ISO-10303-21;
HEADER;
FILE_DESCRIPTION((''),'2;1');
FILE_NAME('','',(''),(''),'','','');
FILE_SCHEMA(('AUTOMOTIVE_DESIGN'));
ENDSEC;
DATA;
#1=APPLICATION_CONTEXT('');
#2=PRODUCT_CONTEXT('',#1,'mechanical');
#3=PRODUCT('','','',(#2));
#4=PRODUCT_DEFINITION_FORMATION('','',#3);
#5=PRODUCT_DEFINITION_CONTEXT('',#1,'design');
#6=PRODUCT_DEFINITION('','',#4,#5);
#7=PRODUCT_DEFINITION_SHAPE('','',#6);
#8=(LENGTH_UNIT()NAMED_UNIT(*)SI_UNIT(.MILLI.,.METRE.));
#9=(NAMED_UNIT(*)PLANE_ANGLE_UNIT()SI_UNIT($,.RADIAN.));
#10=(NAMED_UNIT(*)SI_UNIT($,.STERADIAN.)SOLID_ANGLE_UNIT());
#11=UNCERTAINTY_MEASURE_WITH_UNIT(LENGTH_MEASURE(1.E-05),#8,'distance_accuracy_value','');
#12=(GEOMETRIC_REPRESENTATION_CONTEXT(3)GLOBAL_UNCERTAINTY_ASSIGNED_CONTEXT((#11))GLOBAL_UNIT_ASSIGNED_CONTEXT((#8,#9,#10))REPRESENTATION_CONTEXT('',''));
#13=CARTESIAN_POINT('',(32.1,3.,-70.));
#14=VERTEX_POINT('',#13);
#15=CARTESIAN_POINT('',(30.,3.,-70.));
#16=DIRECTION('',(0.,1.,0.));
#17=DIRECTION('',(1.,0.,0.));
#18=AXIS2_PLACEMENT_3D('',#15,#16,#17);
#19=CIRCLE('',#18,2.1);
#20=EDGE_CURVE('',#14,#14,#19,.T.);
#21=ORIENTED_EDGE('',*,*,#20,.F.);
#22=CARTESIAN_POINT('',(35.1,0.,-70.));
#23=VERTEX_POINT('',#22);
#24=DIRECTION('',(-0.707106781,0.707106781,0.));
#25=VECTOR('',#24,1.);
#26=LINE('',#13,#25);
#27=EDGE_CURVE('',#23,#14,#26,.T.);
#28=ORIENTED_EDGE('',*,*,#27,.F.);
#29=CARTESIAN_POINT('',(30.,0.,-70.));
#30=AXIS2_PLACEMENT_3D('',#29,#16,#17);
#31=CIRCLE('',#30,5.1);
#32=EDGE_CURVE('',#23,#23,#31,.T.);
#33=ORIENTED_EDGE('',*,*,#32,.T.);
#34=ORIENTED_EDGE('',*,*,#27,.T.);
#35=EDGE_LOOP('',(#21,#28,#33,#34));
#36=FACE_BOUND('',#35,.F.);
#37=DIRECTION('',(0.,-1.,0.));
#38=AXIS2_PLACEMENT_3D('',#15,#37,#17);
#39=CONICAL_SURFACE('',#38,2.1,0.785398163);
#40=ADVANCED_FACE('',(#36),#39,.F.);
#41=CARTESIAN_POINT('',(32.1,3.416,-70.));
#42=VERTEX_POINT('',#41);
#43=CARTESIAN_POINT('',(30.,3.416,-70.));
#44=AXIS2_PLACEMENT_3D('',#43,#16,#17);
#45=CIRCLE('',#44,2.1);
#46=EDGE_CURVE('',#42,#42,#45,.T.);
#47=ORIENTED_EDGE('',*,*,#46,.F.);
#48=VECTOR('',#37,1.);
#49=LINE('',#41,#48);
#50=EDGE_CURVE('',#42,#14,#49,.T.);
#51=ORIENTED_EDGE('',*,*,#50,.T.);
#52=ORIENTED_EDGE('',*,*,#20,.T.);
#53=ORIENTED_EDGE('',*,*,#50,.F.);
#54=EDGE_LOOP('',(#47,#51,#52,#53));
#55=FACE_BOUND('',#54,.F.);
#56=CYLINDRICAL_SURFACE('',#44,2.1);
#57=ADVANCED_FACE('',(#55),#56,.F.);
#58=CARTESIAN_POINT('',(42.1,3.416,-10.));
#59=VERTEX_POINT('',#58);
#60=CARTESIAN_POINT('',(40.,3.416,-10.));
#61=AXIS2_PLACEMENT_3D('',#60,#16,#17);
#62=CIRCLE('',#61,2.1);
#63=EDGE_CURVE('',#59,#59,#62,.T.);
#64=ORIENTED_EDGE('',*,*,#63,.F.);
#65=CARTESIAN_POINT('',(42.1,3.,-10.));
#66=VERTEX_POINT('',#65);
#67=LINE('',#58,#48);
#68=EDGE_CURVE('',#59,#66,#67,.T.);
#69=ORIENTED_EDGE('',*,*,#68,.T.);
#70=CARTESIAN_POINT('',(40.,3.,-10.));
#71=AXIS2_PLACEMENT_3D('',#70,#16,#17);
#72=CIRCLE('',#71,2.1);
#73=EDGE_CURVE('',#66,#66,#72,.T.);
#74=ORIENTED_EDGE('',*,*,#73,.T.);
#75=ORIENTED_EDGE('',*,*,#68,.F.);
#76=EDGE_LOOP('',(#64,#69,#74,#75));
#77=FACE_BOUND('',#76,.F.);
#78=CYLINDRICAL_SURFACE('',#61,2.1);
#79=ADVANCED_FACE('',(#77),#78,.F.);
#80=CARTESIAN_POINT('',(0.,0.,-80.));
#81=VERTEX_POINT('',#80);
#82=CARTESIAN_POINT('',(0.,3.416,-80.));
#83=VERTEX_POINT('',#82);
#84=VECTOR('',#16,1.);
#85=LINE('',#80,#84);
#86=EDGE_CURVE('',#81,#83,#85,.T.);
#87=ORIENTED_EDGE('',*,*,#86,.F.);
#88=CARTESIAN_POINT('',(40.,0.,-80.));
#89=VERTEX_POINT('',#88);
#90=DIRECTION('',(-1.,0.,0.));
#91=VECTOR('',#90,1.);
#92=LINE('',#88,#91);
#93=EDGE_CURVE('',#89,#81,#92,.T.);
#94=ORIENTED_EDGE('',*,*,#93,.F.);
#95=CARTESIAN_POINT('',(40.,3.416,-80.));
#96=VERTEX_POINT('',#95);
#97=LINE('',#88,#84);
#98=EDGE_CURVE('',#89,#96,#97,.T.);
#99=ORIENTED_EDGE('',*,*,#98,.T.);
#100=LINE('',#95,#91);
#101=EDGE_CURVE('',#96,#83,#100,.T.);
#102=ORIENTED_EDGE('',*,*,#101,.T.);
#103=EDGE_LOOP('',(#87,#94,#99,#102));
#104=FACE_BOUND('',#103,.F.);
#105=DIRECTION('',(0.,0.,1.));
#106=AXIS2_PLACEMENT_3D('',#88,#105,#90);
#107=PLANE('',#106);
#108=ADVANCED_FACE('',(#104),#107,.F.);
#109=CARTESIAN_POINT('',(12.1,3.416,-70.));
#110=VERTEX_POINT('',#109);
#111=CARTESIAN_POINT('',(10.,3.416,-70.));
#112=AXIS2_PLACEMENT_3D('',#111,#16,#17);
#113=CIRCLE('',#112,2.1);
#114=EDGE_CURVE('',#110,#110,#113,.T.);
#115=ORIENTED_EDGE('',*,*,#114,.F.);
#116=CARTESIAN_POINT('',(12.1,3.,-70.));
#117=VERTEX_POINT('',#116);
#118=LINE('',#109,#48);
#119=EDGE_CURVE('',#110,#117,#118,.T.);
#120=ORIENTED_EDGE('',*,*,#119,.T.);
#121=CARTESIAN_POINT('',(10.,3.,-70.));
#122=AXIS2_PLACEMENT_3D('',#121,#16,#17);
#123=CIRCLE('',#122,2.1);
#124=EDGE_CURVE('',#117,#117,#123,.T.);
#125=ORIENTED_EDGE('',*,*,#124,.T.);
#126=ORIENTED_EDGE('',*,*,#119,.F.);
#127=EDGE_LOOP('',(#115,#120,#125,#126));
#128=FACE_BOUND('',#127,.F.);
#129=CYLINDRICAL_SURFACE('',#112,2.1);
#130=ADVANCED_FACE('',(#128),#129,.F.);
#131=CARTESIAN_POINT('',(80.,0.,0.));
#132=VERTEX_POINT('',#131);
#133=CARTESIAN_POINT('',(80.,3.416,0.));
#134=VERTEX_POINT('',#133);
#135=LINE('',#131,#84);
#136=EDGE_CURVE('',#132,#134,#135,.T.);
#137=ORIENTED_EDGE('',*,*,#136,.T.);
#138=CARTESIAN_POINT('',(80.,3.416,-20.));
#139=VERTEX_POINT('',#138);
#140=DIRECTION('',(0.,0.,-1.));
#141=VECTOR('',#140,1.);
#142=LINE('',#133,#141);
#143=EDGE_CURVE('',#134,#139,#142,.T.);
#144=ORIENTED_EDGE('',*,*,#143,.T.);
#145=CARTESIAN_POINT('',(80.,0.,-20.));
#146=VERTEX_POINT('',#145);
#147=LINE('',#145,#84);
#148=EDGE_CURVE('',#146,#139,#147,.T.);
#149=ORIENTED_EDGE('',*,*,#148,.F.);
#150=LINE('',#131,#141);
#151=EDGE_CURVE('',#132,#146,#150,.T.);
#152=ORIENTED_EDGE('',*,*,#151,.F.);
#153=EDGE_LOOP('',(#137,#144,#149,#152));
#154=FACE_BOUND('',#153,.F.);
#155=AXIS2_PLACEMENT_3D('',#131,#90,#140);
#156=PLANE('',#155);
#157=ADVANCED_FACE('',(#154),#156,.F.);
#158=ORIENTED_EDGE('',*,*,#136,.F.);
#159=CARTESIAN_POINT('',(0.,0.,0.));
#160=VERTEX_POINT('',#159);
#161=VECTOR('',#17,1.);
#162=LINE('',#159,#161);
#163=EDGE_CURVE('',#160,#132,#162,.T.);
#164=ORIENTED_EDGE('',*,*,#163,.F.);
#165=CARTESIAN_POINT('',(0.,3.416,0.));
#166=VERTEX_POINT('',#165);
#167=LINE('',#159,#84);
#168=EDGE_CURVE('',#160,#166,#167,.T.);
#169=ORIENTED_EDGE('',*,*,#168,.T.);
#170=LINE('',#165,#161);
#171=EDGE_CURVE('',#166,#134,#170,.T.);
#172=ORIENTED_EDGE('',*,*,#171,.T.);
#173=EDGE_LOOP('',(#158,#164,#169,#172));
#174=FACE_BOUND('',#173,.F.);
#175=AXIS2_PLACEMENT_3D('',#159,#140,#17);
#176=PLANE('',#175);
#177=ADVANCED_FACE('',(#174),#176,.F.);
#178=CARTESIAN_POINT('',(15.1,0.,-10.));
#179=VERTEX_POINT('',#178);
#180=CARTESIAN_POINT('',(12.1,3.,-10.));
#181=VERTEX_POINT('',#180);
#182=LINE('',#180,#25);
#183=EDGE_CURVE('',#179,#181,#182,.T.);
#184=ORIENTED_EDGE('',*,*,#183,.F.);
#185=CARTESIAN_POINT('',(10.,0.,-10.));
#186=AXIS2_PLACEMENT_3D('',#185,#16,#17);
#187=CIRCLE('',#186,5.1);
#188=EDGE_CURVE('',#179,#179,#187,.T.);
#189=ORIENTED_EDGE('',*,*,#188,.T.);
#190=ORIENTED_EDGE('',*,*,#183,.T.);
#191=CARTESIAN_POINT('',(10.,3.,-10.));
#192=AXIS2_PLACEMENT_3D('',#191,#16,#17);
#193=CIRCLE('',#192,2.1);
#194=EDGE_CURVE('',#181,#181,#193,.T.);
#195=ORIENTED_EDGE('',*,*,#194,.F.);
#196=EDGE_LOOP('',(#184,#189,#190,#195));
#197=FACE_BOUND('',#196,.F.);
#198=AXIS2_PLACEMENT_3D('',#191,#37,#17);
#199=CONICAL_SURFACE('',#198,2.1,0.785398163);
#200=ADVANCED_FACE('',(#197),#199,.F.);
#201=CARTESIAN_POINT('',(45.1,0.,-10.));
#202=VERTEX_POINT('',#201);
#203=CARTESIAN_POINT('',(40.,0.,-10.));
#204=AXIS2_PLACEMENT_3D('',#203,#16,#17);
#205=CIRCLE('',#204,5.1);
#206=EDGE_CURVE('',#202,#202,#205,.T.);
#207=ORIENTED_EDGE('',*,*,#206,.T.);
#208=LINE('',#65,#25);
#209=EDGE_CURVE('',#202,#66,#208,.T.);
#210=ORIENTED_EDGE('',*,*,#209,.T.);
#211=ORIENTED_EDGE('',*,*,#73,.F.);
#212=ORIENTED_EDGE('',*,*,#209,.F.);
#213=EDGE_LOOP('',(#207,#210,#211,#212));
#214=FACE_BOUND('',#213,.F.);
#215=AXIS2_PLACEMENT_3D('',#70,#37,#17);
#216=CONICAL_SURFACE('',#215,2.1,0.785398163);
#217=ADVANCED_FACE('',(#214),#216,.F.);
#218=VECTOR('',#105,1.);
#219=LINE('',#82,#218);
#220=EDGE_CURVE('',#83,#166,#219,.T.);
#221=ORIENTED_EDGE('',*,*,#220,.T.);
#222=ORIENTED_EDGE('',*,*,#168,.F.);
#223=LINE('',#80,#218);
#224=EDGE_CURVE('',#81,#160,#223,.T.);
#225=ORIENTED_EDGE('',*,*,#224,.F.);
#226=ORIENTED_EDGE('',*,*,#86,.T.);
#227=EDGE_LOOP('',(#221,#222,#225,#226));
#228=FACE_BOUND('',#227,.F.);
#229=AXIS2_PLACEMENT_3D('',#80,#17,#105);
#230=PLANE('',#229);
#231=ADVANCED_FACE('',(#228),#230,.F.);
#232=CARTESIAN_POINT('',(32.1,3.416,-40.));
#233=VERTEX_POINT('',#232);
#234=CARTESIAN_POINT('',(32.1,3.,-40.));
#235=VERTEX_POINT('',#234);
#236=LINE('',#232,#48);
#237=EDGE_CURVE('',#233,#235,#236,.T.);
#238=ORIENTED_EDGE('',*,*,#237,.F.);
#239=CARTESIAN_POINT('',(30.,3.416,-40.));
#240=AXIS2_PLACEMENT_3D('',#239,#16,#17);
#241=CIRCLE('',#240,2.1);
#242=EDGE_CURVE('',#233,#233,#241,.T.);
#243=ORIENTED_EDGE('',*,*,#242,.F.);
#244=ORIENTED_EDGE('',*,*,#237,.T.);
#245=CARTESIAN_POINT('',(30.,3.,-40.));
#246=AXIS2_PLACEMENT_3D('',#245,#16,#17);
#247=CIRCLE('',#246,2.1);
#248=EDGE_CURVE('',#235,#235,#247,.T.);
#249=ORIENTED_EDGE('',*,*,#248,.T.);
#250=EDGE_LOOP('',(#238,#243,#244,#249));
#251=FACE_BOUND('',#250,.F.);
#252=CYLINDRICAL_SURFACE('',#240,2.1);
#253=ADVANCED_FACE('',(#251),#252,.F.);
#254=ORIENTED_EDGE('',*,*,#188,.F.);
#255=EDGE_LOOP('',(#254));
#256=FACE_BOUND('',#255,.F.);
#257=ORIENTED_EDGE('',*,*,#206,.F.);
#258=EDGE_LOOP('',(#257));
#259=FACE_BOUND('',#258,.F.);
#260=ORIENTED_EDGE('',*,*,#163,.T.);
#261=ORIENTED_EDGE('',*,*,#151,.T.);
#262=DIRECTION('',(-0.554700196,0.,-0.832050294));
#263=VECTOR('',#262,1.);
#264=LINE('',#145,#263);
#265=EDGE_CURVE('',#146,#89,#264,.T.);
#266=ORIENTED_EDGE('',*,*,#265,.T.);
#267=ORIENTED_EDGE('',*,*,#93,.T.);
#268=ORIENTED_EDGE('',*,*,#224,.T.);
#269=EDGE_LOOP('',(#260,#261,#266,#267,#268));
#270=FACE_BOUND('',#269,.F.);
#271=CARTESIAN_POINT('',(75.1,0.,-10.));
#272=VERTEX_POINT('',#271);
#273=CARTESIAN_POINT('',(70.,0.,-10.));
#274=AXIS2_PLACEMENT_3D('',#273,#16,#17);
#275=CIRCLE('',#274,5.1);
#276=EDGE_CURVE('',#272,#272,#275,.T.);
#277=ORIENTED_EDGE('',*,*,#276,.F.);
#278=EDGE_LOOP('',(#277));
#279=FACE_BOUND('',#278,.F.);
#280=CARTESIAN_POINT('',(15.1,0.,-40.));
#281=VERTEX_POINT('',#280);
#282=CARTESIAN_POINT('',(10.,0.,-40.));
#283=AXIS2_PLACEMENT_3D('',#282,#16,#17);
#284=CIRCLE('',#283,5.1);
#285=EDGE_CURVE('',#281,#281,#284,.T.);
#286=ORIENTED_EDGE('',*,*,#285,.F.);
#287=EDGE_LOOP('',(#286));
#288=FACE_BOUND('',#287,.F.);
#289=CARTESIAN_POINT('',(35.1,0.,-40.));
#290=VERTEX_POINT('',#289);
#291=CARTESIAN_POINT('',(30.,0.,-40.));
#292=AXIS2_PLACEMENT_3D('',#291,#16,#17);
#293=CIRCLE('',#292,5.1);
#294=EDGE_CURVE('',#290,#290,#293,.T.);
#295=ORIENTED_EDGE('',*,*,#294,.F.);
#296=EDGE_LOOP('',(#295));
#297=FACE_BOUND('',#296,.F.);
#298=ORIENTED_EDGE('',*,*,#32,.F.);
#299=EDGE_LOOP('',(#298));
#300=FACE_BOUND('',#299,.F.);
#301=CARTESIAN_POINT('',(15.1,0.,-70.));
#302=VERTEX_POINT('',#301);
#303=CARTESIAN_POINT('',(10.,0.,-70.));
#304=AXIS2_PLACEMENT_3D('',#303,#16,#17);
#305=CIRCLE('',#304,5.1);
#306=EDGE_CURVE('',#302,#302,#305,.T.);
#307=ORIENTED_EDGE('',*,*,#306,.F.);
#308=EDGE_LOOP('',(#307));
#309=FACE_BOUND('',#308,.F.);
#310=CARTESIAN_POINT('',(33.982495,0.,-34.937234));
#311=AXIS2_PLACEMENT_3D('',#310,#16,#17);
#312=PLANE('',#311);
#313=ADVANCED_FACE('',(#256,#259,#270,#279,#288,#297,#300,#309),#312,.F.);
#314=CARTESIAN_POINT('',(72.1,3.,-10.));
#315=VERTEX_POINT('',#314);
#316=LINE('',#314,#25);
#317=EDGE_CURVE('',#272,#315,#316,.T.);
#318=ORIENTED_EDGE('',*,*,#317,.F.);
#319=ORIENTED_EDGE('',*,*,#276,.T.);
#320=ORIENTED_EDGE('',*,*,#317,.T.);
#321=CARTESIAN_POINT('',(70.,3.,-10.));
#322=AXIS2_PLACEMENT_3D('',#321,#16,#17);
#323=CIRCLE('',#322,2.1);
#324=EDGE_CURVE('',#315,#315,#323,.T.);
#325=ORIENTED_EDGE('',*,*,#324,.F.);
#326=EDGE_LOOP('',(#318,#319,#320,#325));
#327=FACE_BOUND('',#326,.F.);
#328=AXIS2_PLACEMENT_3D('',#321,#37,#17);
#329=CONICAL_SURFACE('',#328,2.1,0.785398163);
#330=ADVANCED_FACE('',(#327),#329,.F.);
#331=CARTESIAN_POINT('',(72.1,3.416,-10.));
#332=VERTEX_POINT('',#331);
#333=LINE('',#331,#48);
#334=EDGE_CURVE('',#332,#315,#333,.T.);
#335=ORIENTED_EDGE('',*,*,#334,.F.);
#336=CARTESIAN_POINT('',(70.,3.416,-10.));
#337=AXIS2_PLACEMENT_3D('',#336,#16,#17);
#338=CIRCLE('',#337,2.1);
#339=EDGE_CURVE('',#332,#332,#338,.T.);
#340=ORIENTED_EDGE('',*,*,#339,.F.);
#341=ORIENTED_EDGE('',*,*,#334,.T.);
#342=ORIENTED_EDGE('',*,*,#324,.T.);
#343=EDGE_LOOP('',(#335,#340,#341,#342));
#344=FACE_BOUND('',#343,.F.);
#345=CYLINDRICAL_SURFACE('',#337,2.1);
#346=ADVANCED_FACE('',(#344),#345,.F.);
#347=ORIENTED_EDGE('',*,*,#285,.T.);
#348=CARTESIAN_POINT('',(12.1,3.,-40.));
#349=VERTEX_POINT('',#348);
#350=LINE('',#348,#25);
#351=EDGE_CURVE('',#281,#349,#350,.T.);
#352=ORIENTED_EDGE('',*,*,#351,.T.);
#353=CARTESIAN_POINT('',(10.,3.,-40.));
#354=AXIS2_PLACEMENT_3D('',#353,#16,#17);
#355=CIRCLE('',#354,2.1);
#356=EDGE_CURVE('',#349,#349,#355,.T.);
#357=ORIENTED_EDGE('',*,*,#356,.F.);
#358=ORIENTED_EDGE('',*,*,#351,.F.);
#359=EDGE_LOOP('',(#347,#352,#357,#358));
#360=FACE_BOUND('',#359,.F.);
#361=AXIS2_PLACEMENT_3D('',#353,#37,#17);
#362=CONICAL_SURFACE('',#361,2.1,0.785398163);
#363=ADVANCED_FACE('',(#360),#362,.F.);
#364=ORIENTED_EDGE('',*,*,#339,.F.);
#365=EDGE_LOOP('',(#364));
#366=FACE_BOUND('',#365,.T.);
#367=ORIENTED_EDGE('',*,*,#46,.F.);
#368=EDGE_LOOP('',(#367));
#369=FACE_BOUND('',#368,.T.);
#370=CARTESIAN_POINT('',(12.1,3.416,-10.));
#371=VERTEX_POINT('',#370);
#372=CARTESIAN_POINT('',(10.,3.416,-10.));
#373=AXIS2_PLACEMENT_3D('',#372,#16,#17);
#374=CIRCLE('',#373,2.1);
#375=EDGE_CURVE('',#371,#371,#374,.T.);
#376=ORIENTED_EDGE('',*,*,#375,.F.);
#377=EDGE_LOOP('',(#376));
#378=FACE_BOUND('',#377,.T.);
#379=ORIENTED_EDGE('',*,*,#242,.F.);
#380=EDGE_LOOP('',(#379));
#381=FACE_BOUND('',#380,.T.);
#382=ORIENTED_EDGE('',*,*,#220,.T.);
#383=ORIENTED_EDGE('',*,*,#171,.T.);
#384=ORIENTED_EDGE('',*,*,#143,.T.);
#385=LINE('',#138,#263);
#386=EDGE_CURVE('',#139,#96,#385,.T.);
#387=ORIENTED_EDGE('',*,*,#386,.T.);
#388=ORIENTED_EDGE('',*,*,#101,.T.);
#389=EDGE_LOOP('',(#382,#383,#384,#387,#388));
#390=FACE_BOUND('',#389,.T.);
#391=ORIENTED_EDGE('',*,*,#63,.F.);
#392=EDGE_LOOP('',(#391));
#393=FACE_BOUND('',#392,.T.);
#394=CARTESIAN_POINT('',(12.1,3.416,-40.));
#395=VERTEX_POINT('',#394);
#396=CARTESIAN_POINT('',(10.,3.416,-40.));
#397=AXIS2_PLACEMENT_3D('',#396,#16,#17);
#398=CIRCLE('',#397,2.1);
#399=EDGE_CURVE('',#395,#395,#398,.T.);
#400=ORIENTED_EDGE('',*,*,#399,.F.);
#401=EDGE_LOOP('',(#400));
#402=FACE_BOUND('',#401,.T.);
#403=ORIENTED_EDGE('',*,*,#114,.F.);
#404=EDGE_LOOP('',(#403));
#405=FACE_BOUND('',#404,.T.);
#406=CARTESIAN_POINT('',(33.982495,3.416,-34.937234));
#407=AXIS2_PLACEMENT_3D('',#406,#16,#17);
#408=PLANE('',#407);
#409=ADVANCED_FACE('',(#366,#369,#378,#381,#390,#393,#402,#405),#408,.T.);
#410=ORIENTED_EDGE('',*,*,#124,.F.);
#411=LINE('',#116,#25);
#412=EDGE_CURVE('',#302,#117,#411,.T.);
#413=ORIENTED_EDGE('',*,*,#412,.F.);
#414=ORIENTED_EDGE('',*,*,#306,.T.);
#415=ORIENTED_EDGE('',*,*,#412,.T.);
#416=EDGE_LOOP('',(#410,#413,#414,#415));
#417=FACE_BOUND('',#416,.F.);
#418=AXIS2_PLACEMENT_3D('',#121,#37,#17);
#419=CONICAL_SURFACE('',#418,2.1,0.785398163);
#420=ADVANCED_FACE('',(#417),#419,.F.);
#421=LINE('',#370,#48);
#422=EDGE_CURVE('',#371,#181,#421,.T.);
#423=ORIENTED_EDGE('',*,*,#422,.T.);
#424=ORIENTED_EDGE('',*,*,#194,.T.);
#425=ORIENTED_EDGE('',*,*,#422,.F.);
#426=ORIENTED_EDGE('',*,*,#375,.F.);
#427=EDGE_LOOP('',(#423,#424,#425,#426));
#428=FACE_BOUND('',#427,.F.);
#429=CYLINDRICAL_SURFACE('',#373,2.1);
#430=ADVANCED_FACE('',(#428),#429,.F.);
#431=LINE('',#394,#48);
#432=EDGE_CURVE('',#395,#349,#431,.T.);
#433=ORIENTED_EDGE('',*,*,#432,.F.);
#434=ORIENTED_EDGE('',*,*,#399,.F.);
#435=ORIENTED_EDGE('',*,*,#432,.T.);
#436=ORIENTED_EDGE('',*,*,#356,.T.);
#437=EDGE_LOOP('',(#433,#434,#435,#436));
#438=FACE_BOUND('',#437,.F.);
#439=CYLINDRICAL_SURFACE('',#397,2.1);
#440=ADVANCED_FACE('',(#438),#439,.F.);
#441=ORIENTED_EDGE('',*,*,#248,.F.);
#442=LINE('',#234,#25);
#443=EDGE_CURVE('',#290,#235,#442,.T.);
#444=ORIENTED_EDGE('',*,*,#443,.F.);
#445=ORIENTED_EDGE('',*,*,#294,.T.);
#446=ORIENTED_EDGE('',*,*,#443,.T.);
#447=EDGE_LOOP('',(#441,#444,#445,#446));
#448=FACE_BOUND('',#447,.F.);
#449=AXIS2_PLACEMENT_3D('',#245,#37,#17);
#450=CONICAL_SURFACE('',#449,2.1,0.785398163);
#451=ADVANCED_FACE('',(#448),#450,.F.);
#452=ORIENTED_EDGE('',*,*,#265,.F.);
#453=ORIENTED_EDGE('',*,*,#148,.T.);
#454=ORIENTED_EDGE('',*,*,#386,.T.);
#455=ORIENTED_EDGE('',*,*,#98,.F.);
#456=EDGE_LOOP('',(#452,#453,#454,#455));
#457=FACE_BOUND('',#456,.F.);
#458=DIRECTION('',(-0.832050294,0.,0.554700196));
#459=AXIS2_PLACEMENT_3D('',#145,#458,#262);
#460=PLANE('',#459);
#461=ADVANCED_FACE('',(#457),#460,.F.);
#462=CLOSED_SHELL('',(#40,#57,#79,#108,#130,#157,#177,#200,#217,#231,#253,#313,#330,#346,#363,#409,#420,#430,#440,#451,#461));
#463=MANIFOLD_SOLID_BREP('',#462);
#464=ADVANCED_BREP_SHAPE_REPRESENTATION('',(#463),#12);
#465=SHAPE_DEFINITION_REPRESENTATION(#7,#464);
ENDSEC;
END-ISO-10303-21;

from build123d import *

# Parameters (mm, degrees)
BOSS_EXTRUDE1_DEPTH = 3.416
SKETCH2_R           = 2.1
CUT_EXTRUDE1_DEPTH  = 4
CHAMFER1_SIZE       = 3


with BuildPart() as part:
    # Sketch1 → Boss-Extrude1 (new body)
    with BuildSketch(Plane(origin=(0, 0, 0), x_dir=(1, 0, 0), z_dir=(0, 1, 0))):
        Polygon((0, 0), (80, 0), (80, 20), (40, 80), (0, 80), align=None)
    extrude(amount=BOSS_EXTRUDE1_DEPTH)

    # Sketch2 → Cut-Extrude1 (cut)
    with BuildSketch(Plane(origin=(0, 3.416, 0), x_dir=(1, 0, 0), z_dir=(0, 1, 0))):
        with Locations((10, 10)):
            Circle(SKETCH2_R)
        with Locations((40, 10)):
            Circle(SKETCH2_R)
        with Locations((70, 10)):
            Circle(SKETCH2_R)
        with Locations((30, 40)):
            Circle(SKETCH2_R)
        with Locations((30, 70)):
            Circle(SKETCH2_R)
        with Locations((10, 40)):
            Circle(SKETCH2_R)
        with Locations((10, 70)):
            Circle(SKETCH2_R)
    extrude(amount=-CUT_EXTRUDE1_DEPTH, mode=Mode.SUBTRACT)

    # Chamfer1
    chamfer1_edges = [part.edges().sort_by_distance(p)[0] for p in [
        (7.9, 0, -70),
        (7.9, 0, -40),
        (27.9, 0, -70),
        (27.9, 0, -40),
        (67.9, 0, -10),
        (37.9, 0, -10),
        (7.9, 0, -10),
    ]]
    chamfer(chamfer1_edges, length=CHAMFER1_SIZE)


solid = part.part
